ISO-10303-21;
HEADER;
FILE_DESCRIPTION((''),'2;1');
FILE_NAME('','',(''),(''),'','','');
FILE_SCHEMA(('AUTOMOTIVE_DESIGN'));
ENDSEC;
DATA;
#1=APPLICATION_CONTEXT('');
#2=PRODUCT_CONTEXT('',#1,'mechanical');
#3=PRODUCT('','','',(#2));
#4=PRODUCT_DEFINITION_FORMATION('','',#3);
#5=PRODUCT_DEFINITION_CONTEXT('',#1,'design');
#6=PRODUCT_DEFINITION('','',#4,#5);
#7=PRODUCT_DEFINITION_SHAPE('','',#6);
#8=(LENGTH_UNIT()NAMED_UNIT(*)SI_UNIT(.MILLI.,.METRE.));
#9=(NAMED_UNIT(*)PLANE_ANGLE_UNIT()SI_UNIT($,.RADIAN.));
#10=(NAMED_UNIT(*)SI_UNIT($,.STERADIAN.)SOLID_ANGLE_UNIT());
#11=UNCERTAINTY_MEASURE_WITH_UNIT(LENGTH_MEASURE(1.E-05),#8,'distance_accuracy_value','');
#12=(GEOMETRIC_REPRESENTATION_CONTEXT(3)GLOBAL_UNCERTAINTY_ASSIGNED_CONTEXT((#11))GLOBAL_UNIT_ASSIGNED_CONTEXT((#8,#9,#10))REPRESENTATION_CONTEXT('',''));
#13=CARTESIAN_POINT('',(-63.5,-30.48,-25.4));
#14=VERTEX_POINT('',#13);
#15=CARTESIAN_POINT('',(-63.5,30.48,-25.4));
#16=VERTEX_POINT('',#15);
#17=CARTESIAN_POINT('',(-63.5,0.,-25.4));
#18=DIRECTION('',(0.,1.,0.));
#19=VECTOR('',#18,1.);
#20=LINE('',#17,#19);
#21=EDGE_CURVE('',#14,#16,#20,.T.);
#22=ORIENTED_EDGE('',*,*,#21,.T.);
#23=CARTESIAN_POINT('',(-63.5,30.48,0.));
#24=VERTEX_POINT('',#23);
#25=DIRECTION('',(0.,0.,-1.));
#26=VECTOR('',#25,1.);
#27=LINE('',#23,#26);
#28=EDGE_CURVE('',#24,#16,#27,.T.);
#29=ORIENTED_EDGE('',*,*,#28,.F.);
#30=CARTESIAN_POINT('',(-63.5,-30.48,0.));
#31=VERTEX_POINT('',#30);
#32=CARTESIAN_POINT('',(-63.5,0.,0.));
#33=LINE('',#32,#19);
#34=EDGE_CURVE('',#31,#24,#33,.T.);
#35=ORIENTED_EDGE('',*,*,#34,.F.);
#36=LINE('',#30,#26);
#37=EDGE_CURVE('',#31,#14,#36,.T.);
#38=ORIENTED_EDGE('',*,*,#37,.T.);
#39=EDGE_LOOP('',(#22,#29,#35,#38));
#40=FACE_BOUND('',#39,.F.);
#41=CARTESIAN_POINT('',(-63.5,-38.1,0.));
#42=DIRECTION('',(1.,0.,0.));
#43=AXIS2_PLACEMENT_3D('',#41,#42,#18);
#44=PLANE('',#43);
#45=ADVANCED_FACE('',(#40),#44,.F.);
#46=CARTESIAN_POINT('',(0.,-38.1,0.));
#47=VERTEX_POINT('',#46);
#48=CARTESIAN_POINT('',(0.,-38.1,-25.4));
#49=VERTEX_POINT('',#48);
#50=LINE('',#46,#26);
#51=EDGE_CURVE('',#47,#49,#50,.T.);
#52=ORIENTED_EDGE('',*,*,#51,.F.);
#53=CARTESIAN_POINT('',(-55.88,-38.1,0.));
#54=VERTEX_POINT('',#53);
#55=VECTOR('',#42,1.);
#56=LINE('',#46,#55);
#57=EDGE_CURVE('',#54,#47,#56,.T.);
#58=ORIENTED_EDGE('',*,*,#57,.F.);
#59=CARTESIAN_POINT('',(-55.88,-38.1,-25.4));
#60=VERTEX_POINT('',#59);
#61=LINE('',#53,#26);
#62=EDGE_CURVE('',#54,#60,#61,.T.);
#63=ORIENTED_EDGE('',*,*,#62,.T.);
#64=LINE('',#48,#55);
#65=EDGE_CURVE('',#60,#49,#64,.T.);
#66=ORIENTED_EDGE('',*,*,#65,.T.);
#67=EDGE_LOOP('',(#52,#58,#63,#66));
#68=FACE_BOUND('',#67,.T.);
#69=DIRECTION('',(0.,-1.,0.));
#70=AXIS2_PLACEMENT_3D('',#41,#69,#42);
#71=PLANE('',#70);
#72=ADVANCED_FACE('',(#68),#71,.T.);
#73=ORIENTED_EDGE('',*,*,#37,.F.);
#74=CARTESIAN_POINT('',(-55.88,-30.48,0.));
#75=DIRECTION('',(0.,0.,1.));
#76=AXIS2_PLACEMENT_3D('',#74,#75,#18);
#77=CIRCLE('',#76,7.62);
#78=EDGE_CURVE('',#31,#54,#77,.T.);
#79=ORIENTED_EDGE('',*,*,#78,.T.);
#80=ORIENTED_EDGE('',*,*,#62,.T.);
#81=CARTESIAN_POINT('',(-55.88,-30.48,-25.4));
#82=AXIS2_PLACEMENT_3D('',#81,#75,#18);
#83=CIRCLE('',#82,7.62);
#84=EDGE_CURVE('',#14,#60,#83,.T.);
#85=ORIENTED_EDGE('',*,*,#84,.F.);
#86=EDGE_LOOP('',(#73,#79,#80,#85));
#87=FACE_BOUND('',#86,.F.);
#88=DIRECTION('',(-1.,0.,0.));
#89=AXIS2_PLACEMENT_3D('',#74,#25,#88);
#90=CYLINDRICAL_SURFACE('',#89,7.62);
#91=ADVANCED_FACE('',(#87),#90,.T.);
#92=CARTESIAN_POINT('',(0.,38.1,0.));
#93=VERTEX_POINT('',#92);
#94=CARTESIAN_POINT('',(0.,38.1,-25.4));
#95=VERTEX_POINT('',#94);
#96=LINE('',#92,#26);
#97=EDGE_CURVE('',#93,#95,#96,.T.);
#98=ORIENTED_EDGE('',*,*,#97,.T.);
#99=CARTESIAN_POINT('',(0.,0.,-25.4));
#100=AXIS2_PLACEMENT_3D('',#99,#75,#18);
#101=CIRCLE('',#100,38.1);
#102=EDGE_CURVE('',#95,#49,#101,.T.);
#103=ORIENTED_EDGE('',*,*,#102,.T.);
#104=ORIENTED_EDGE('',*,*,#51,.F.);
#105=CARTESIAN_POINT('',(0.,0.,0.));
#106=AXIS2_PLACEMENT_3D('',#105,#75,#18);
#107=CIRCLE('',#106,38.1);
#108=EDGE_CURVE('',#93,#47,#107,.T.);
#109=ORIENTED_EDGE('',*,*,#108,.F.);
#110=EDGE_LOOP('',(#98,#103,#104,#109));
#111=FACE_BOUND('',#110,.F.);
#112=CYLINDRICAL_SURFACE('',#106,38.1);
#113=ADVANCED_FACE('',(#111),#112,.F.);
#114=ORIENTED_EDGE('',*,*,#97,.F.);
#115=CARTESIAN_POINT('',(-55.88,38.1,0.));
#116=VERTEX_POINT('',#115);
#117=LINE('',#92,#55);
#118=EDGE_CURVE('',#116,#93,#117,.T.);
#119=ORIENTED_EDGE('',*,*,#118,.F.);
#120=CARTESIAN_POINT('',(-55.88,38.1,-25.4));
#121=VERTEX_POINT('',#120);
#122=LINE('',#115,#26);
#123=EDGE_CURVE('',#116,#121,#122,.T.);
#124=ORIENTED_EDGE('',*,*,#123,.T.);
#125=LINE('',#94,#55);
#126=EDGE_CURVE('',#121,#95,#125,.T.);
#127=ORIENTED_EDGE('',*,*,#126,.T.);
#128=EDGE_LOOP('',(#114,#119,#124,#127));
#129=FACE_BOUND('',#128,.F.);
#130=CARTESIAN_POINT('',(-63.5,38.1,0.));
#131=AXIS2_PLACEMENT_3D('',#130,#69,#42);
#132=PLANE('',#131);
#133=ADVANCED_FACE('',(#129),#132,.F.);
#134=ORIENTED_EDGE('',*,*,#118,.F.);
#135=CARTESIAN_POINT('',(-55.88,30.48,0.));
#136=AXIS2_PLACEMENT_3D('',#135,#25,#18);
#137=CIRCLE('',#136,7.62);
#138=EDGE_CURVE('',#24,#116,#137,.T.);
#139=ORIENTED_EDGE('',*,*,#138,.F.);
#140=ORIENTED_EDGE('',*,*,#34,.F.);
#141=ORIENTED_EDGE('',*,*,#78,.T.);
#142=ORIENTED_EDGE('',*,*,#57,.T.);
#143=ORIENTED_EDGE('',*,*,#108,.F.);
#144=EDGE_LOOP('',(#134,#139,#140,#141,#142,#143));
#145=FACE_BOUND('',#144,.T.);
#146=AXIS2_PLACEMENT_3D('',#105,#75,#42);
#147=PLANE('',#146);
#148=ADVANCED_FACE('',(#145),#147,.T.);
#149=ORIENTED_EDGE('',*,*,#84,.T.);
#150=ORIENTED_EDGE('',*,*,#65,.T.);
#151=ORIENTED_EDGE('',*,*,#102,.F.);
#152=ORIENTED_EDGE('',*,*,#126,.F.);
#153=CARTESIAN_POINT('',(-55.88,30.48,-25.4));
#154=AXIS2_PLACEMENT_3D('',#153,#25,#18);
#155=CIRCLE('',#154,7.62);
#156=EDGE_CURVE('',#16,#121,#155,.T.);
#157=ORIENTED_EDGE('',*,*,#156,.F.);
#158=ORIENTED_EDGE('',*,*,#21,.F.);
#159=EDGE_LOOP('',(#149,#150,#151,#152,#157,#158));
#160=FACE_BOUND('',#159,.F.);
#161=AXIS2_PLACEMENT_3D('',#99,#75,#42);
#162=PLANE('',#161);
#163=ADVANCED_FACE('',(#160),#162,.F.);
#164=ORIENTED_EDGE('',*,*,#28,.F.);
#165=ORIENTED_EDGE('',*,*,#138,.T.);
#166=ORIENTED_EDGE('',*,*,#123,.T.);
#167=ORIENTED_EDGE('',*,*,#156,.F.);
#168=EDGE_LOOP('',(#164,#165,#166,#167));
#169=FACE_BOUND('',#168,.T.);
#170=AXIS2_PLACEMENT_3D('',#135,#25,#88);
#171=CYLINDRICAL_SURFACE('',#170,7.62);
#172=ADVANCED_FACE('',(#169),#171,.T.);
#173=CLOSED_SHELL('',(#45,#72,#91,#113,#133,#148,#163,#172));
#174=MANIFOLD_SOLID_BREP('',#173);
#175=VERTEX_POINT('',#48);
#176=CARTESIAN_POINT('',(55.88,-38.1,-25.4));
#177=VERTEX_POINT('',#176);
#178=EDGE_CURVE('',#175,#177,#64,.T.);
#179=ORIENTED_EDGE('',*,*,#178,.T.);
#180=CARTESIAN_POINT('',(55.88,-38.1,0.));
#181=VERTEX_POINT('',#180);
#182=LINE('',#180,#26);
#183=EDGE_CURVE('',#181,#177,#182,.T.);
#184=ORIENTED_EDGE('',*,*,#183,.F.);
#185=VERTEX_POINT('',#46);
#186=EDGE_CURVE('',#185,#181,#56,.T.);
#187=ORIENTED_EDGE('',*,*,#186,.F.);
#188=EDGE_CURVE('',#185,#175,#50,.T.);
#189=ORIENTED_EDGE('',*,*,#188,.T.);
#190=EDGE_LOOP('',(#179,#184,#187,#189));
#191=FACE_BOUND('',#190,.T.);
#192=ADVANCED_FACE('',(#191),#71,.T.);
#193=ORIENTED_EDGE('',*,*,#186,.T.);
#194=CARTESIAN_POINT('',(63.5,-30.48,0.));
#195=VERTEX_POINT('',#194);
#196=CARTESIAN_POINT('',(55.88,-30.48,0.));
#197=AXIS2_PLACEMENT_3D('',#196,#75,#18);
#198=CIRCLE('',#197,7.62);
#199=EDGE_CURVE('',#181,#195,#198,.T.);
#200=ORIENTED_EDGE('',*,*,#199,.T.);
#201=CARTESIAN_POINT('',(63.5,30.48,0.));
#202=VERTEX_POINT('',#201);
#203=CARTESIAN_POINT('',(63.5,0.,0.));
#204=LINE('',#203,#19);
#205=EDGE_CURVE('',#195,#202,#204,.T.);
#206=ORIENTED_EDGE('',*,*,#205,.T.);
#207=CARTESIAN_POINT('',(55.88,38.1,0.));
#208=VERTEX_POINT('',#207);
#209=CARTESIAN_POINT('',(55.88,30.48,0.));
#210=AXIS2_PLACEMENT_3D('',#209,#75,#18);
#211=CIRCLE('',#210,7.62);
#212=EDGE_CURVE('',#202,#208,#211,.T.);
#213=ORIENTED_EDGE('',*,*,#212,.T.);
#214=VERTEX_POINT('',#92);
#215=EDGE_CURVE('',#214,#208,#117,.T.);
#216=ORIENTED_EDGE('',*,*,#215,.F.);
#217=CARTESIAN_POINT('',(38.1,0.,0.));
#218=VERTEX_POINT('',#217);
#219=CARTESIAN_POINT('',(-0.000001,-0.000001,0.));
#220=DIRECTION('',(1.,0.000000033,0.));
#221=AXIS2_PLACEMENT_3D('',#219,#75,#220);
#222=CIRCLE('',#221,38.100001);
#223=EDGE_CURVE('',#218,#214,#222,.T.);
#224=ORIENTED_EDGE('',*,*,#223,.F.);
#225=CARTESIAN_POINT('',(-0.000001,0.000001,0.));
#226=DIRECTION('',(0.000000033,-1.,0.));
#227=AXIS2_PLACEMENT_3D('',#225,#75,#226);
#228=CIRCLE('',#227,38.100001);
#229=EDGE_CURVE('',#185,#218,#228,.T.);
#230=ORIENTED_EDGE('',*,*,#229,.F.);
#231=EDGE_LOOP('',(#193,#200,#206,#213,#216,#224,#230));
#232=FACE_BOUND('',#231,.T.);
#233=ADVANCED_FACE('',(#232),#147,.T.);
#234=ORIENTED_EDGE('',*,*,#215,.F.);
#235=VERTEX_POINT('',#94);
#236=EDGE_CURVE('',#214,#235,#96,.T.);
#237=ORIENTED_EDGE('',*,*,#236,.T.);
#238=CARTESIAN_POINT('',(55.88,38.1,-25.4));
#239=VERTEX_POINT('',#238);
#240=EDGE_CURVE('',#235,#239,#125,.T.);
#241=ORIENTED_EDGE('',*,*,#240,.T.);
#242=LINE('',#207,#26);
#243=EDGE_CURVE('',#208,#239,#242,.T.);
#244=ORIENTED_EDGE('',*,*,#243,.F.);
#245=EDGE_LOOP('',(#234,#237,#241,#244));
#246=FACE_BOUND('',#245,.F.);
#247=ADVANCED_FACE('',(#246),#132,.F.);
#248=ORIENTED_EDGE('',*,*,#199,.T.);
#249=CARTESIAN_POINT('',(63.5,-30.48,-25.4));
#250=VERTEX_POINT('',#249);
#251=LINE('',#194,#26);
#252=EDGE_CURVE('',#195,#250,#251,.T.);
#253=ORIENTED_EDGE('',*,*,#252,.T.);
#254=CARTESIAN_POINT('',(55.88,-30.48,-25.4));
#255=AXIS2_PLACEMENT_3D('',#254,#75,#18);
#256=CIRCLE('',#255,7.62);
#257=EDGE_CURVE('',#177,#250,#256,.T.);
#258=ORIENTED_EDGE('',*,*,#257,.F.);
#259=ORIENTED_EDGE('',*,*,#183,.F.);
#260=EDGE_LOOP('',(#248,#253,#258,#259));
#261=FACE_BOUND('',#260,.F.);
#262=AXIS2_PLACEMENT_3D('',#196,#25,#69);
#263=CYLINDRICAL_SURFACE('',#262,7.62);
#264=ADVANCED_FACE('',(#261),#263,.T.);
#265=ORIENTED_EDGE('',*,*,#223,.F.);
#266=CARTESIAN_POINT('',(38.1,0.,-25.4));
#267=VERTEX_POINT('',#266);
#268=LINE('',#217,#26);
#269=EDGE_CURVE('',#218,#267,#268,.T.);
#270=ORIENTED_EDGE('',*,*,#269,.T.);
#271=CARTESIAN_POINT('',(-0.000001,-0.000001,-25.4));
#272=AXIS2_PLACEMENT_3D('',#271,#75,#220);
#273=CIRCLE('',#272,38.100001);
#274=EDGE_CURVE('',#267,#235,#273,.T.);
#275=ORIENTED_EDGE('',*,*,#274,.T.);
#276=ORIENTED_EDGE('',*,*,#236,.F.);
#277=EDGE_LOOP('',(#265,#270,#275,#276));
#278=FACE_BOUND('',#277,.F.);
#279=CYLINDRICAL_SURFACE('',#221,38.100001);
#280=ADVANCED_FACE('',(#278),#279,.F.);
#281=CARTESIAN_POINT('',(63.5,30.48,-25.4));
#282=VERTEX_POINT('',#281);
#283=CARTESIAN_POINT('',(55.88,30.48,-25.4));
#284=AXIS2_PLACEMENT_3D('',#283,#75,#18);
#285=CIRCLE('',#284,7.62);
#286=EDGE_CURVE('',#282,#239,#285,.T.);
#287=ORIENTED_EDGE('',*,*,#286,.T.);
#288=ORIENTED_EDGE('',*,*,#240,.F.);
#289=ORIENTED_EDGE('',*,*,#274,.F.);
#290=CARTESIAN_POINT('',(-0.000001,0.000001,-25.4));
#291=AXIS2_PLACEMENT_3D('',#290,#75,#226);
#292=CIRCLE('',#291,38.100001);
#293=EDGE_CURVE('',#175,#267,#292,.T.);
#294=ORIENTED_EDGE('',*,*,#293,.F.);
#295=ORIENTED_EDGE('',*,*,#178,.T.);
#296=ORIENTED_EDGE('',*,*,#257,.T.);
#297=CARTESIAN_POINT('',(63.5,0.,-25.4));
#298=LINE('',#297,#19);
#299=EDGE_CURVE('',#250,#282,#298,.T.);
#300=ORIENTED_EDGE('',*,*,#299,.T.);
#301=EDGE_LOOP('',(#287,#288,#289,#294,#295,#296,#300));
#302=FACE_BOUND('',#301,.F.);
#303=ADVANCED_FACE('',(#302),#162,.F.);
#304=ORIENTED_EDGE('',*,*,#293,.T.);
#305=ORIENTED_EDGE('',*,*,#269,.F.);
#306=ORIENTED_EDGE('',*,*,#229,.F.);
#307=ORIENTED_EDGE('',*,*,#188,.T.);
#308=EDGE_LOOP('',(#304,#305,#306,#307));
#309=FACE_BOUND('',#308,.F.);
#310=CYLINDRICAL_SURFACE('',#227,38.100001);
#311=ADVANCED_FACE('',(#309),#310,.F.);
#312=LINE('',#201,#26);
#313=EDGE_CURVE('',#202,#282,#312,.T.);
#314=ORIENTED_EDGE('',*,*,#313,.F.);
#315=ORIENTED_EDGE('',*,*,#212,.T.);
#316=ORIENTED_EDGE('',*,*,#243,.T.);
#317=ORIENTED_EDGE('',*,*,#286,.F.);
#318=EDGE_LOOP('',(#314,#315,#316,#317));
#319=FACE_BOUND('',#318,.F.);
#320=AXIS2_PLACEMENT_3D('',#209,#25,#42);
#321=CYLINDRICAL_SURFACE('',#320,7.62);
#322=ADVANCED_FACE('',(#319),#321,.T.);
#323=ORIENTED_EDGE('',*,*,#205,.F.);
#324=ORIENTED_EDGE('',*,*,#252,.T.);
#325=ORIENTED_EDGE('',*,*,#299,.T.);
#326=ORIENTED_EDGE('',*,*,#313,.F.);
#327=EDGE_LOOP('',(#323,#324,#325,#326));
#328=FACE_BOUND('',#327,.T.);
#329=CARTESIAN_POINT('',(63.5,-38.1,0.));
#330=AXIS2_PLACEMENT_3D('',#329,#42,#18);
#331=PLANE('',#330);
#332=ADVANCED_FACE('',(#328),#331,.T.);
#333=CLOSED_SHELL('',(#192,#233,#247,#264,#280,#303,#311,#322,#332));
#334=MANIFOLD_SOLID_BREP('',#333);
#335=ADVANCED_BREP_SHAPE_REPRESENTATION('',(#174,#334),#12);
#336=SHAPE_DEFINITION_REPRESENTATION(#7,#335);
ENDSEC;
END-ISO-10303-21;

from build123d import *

# Parameters (mm, degrees)
F0_W     = 127
F0_H     = 76.2
F1_DEPTH = 25.4
F2_R     = 7.62
F4_DEPTH = 76.2


with BuildPart() as f1:
    # F0 (on Top) → F1 (new body)
    with BuildSketch(Plane.XY):
        Rectangle(F0_W, F0_H)
    extrude(amount=-F1_DEPTH)

    # F2
    f2_edges = [f1.edges().sort_by_distance(p)[0] for p in [
        (63.5, -38.1, -12.7),
        (63.5, 38.1, -12.7),
        (-63.5, -38.1, -12.7),
        (-63.5, 38.1, -12.7),
    ]]
    fillet(f2_edges, radius=F2_R)

    # F3 (on face) → F4 (cut)
    with BuildSketch(Plane.XY):
        with BuildLine():
            ThreePointArc((0, -38.1), (26.940768, -26.940768), (38.1, 0))
            ThreePointArc((38.1, 0), (26.940768, 26.940768), (0, 38.1))
            ThreePointArc((0, 38.1), (-38.1, 0), (0, -38.1))
        make_face()
    extrude(amount=-F4_DEPTH, mode=Mode.SUBTRACT)


solid = f1.part
